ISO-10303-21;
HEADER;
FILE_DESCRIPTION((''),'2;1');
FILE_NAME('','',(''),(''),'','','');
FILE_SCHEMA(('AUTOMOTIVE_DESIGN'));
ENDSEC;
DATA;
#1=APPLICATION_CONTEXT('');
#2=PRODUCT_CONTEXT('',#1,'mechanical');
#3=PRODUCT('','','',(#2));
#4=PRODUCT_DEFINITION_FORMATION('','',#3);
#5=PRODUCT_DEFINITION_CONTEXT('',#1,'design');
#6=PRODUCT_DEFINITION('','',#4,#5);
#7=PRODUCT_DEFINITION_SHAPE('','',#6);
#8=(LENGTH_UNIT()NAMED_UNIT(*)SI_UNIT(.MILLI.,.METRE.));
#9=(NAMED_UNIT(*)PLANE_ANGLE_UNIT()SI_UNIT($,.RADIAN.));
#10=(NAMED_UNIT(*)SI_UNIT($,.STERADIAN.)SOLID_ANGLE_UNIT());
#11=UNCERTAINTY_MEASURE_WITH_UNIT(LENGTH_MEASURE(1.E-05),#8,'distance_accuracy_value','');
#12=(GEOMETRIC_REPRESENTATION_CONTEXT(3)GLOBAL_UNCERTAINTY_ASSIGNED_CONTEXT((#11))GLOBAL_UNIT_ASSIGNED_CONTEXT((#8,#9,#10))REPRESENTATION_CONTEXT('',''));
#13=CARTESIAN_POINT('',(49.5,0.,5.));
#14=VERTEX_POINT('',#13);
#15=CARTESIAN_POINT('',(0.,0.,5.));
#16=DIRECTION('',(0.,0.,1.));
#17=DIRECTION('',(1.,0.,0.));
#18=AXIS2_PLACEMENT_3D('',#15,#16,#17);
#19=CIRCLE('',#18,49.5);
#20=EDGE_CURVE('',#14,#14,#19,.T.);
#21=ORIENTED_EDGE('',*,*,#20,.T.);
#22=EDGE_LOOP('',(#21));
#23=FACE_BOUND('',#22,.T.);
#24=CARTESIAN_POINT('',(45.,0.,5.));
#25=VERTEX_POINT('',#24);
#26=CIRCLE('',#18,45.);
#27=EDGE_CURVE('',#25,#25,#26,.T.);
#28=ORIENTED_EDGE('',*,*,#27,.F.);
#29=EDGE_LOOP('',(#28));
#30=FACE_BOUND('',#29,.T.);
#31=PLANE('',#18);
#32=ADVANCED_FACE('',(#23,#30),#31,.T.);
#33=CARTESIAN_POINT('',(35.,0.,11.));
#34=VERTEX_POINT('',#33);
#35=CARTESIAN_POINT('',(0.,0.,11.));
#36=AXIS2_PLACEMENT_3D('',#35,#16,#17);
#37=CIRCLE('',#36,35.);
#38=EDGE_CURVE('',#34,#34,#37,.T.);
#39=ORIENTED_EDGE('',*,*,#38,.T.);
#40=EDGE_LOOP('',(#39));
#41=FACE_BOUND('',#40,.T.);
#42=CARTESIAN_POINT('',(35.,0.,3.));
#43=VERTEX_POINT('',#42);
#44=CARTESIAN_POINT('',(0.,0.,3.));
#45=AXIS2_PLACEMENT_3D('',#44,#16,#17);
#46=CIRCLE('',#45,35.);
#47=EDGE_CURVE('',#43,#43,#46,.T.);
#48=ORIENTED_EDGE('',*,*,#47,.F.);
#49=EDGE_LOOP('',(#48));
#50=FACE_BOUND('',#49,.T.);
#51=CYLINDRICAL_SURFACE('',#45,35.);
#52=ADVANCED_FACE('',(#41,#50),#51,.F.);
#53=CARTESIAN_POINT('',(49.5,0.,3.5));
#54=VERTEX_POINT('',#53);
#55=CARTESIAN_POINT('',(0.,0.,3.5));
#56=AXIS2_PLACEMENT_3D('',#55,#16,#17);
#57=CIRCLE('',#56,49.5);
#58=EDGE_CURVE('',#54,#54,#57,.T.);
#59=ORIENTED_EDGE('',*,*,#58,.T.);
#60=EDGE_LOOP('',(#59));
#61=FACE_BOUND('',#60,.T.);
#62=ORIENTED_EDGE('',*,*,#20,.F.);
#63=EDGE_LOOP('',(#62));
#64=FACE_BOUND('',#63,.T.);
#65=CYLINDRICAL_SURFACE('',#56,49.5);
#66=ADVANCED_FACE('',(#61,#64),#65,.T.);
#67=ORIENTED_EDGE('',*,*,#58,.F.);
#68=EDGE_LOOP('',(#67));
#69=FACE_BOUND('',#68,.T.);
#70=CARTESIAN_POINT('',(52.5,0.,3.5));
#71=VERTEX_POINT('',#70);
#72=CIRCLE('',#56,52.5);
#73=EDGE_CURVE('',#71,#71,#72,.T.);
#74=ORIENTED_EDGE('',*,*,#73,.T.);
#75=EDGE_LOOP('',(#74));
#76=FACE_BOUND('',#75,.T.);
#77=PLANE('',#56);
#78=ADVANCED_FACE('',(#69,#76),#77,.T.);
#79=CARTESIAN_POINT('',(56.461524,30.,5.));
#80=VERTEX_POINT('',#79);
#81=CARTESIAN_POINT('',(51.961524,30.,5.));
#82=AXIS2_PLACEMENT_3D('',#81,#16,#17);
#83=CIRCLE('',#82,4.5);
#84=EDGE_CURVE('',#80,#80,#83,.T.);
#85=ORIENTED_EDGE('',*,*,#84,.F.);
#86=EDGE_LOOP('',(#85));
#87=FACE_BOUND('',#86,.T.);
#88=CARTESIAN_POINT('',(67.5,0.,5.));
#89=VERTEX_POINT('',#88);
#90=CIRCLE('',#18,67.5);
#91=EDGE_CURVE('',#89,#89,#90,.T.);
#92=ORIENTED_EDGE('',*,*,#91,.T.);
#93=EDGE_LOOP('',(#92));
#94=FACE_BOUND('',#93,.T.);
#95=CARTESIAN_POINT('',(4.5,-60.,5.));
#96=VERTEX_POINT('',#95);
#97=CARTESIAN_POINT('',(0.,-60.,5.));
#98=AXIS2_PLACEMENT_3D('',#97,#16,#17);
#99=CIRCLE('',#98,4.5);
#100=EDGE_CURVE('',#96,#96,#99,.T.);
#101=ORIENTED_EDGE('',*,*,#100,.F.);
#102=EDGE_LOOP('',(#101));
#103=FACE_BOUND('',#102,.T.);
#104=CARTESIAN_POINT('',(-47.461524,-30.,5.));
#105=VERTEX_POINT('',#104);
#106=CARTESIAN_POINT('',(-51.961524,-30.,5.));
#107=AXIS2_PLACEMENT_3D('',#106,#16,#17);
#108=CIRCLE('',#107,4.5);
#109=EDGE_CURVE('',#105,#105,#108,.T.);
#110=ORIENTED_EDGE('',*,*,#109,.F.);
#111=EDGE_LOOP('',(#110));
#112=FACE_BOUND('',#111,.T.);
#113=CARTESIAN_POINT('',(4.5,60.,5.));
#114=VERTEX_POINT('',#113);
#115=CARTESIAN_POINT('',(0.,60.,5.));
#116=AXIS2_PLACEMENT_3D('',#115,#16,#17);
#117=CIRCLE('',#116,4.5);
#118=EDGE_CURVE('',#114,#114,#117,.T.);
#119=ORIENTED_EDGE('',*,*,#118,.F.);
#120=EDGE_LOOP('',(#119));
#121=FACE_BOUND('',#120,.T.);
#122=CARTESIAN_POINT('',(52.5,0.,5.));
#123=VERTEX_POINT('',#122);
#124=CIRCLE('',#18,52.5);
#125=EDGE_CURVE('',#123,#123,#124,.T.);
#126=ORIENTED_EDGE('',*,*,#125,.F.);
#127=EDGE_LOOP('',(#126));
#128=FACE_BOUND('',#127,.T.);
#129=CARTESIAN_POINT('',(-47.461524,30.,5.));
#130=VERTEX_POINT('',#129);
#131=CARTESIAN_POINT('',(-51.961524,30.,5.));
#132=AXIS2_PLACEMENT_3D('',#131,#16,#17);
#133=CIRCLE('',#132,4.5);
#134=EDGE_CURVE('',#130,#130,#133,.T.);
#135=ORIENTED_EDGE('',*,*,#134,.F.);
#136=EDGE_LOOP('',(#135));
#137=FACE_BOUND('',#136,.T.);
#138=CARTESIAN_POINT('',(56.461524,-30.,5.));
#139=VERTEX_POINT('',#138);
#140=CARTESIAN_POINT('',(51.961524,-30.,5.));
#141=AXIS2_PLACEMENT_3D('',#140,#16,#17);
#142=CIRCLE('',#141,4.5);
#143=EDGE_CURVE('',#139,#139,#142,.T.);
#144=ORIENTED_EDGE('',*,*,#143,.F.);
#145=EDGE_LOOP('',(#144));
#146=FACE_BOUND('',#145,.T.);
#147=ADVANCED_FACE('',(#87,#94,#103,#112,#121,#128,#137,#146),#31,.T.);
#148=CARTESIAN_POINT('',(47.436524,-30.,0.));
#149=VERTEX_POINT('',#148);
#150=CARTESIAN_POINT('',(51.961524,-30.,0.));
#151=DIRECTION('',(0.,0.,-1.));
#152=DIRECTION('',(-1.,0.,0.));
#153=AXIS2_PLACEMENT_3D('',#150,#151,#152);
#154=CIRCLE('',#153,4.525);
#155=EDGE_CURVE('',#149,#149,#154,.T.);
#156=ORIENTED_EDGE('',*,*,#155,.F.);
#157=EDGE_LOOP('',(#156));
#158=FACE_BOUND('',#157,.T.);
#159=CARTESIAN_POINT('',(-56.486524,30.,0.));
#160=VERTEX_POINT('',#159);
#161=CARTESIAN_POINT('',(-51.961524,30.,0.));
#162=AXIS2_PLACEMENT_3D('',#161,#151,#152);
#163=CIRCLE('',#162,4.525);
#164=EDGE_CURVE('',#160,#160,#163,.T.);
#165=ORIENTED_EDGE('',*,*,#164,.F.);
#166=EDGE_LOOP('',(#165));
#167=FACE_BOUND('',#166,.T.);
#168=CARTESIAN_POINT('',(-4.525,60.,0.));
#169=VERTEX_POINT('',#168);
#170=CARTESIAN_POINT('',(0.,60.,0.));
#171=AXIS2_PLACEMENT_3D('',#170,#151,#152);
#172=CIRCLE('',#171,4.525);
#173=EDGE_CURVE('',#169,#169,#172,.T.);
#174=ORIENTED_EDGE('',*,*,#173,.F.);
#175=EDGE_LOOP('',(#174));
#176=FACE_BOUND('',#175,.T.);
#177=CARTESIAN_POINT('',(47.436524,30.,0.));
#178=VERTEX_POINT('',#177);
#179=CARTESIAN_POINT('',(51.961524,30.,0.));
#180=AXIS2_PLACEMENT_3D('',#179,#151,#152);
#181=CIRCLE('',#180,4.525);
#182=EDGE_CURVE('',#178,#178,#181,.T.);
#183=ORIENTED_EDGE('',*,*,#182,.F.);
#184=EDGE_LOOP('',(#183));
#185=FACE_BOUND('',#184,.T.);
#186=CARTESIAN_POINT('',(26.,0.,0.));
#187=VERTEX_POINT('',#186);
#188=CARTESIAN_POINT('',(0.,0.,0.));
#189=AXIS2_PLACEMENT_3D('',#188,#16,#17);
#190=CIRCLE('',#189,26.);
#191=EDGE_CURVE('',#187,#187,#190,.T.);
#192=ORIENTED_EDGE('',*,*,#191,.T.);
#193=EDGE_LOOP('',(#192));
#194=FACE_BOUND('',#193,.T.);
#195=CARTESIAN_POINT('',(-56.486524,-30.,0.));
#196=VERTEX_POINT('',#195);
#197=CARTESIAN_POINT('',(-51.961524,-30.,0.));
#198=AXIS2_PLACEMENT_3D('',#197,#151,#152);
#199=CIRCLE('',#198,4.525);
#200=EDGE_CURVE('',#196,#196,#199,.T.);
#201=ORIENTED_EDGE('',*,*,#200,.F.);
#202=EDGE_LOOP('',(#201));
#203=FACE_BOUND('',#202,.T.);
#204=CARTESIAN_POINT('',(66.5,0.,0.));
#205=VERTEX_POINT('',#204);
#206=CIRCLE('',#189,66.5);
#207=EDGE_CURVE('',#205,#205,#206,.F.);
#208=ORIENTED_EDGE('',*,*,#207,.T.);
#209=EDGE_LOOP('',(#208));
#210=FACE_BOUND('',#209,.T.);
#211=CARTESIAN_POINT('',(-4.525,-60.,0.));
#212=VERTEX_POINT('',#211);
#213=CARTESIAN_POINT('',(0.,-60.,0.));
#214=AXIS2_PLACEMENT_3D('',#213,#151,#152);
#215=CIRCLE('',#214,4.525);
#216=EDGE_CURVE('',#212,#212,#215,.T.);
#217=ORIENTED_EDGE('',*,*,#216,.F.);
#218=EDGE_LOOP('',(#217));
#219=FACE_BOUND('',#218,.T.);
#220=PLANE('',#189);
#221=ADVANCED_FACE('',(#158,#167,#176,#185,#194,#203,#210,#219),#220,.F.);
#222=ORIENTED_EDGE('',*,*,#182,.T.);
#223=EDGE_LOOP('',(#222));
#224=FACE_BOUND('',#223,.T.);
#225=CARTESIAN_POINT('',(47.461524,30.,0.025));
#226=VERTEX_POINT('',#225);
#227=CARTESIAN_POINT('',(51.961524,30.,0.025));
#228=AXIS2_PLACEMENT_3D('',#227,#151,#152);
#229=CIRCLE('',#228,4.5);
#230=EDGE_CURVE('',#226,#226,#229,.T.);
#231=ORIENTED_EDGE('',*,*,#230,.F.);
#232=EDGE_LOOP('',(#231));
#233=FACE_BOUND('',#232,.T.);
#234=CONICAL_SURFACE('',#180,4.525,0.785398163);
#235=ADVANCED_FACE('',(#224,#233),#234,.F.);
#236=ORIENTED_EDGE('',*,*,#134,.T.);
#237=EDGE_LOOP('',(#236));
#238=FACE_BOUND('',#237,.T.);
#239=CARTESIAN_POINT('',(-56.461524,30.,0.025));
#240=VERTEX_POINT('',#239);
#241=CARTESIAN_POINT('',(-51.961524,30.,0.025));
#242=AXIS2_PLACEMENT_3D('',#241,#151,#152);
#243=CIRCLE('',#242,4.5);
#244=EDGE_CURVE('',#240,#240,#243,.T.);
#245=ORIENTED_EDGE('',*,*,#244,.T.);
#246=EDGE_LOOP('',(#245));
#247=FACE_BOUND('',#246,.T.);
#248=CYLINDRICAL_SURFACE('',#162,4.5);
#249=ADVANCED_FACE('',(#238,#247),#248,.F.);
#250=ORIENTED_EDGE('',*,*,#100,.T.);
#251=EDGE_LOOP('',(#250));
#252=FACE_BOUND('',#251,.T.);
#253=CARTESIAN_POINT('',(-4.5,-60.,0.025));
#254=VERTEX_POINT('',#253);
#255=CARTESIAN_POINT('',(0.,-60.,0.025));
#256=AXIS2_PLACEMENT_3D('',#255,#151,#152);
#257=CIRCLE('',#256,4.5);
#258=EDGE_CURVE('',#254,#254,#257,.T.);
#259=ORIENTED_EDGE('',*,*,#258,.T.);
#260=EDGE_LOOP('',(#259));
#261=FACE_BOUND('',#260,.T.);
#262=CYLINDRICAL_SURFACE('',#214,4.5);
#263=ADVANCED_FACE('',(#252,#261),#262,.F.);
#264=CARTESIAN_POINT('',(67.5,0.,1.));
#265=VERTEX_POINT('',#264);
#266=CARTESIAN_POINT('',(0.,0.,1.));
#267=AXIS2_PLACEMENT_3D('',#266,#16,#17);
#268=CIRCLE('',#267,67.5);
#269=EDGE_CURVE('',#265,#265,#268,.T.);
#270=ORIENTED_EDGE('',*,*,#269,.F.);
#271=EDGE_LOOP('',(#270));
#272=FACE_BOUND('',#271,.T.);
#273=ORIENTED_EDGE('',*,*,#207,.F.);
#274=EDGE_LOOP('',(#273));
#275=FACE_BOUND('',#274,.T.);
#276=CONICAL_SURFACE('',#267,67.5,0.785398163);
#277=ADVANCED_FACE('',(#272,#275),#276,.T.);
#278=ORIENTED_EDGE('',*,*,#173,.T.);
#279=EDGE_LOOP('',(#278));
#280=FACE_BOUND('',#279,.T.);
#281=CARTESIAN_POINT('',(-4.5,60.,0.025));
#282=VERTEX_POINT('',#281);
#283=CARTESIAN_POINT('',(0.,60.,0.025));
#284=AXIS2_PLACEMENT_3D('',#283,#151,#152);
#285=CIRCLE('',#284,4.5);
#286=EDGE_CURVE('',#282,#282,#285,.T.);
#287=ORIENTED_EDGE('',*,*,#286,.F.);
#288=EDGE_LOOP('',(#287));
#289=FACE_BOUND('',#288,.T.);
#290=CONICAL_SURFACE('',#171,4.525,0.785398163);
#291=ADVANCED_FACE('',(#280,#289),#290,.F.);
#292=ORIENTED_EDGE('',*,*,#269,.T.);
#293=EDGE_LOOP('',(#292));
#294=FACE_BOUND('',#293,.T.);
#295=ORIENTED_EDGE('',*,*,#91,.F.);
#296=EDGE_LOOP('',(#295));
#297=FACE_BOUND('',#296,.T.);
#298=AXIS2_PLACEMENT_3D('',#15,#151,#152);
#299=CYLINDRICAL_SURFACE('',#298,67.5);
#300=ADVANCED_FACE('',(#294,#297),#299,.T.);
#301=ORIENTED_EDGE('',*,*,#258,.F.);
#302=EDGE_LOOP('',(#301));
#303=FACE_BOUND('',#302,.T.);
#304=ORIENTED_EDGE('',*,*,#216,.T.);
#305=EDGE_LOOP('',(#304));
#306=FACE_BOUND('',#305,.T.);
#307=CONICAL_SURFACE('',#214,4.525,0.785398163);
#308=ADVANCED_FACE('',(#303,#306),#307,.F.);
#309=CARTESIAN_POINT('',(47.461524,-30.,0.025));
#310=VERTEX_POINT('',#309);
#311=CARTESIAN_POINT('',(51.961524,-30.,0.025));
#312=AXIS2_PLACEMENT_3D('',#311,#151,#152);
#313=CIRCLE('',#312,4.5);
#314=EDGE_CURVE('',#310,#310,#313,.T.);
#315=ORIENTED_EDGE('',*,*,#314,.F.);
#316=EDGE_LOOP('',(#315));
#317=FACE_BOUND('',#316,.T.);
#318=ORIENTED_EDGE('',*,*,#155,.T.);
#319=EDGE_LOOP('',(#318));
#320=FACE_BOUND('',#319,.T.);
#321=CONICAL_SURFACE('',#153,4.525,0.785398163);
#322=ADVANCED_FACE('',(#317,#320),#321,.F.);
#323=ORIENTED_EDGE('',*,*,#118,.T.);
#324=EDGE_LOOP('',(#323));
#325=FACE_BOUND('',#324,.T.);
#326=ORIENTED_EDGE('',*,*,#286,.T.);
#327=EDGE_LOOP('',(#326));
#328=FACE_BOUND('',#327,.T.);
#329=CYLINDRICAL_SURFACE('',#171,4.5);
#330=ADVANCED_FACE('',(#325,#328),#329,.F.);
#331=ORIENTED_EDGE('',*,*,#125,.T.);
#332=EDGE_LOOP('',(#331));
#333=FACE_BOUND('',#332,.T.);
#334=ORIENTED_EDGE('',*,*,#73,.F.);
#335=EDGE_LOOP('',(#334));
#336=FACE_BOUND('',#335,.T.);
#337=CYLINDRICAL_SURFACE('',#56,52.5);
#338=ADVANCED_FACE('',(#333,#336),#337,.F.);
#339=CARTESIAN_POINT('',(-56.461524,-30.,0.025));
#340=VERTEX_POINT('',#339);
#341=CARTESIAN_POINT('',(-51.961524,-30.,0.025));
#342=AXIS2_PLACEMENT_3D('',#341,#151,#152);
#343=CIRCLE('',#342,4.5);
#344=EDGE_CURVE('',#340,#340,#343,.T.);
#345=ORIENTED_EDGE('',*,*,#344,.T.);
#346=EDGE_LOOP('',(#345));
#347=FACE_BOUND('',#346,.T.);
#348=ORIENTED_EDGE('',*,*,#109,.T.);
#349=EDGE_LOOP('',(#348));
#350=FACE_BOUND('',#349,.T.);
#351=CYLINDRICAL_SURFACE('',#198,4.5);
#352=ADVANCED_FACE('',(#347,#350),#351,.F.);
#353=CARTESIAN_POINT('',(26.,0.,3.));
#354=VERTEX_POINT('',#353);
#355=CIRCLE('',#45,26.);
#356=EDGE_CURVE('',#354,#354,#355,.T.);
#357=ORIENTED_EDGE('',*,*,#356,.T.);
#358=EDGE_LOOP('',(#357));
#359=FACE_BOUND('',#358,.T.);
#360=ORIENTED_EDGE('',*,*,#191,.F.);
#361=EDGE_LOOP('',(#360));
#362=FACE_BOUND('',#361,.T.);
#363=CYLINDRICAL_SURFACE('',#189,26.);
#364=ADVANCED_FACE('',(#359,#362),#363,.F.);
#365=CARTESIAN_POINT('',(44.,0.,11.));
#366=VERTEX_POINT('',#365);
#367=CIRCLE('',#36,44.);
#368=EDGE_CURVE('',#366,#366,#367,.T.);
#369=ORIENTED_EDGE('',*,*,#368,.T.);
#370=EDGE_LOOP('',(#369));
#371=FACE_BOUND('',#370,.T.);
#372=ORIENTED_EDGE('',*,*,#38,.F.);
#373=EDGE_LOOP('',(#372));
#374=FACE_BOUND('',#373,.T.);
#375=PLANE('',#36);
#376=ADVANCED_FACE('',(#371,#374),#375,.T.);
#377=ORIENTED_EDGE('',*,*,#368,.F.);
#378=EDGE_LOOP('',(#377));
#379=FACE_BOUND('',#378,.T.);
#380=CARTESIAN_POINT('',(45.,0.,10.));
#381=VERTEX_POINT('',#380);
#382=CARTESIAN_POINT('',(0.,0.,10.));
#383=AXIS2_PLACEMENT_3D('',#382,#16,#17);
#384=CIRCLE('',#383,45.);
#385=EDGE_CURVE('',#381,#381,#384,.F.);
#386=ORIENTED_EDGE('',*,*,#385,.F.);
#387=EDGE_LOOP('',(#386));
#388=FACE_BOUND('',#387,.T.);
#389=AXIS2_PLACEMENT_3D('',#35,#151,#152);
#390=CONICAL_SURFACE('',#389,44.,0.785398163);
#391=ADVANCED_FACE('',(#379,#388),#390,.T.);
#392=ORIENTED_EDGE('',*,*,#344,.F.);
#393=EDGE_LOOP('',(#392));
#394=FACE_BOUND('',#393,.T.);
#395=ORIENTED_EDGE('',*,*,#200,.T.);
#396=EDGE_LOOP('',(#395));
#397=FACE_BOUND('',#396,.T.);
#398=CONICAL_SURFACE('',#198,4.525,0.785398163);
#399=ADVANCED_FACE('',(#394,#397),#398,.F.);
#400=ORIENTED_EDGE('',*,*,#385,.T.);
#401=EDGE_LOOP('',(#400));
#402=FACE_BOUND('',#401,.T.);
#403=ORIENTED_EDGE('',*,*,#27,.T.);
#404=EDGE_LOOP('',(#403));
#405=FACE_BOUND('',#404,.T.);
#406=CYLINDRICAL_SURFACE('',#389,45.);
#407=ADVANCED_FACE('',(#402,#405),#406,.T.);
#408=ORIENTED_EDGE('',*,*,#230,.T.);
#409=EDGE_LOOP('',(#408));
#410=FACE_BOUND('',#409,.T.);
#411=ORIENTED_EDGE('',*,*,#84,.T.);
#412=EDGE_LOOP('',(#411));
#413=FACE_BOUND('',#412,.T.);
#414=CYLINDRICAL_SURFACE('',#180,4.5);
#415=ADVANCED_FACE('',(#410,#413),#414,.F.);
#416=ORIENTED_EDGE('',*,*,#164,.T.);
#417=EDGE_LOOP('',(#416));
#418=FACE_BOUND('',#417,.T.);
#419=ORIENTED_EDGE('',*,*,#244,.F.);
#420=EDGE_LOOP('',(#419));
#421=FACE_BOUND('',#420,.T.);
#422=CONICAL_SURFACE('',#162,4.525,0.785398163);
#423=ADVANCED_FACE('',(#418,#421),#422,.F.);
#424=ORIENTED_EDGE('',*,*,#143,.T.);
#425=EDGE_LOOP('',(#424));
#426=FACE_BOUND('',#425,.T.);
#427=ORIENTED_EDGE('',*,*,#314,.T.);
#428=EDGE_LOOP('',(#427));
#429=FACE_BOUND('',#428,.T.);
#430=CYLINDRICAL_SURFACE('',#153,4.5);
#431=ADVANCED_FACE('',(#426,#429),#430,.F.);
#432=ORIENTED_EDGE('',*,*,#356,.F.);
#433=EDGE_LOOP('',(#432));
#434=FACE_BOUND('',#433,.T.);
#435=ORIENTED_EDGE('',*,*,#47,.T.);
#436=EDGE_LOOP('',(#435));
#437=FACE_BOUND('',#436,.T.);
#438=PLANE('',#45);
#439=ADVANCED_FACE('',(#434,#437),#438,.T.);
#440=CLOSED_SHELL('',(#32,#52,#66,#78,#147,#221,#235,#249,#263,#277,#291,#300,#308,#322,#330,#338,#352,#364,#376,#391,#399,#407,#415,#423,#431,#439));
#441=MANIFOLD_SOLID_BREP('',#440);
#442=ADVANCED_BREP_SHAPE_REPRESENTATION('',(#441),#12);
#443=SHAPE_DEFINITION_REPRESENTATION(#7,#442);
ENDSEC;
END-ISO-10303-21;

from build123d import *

# Parameters (mm, degrees)
SCHIZZO1_R                     = 67.5
ESTRUSIONE_ESTRUSIONE1_DEPTH   = 5
SCHIZZO2_R                     = 45
ESTRUSIONE_ESTRUSIONE2_DEPTH   = 6
SCHIZZO3_R                     = 35
TAGLIO_ESTRUSIONE1_DEPTH       = 8
SCHIZZO4_R                     = 26
TAGLIO_ESTRUSIONE2_DEPTH       = 4
SMUSSO1_SIZE                   = 1
FORO_PER_VITE_M8_1_D           = 9
FORO_PER_VITE_M8_1_CSINK_D     = 9.05
FORO_PER_VITE_M8_1_CSINK_ANGLE = 90
RIPETIZIONECIRCOLARE1_COUNT    = 6
SCHIZZO8_R                     = 52.5
SCHIZZO8_R_2                   = 49.5
TAGLIO_ESTRUSIONE3_DEPTH       = 1.5


with BuildPart() as part:
    # Schizzo1 → Estrusione-Estrusione1 (new body)
    with BuildSketch(Plane.XY):
        Circle(SCHIZZO1_R)
    extrude(amount=ESTRUSIONE_ESTRUSIONE1_DEPTH)

    # Schizzo2 → Estrusione-Estrusione2 (add)
    with BuildSketch(Plane.XY.offset(5)):
        Circle(SCHIZZO2_R)
    extrude(amount=ESTRUSIONE_ESTRUSIONE2_DEPTH)

    # Schizzo3 → Taglio-Estrusione1 (cut)
    with BuildSketch(Plane.XY.offset(11)):
        Circle(SCHIZZO3_R)
    extrude(amount=-TAGLIO_ESTRUSIONE1_DEPTH, mode=Mode.SUBTRACT)

    # Schizzo4 → Taglio-Estrusione2 (cut, through all)
    with BuildSketch(Plane.XY.offset(3)):
        Circle(SCHIZZO4_R)
    extrude(amount=-TAGLIO_ESTRUSIONE2_DEPTH, mode=Mode.SUBTRACT)

    # Smusso1
    smusso1_edges = [part.edges().sort_by_distance(p)[0] for p in [
        (-67.5, 0, 0),
        (-45, 0, 11),
    ]]
    chamfer(smusso1_edges, length=SMUSSO1_SIZE)

    # Foro per Vite M8-1 (through all)
    with Locations(Plane(origin=(0, 0, 0), x_dir=(-1, 0, 0), z_dir=(0, 0, -1))):
        with Locations((0, 60)):
            foro_per_vite_m8_1 = CounterSinkHole(FORO_PER_VITE_M8_1_D / 2, FORO_PER_VITE_M8_1_CSINK_D / 2, counter_sink_angle=FORO_PER_VITE_M8_1_CSINK_ANGLE)

    # RipetizioneCircolare1: Foro per Vite M8-1 ×6 about axis
    ripetizionecircolare1_axis = Axis((0, 0, 0), (0, 0, 1))
    for i in range(1, RIPETIZIONECIRCOLARE1_COUNT):
        add(foro_per_vite_m8_1.rotate(ripetizionecircolare1_axis, i * 360 / RIPETIZIONECIRCOLARE1_COUNT), mode=Mode.SUBTRACT)

    # Schizzo8 → Taglio-Estrusione3 (cut)
    with BuildSketch(Plane.XY.offset(5)):
        Circle(SCHIZZO8_R)
        Circle(SCHIZZO8_R_2, mode=Mode.SUBTRACT)
    extrude(amount=-TAGLIO_ESTRUSIONE3_DEPTH, mode=Mode.SUBTRACT)


solid = part.part
